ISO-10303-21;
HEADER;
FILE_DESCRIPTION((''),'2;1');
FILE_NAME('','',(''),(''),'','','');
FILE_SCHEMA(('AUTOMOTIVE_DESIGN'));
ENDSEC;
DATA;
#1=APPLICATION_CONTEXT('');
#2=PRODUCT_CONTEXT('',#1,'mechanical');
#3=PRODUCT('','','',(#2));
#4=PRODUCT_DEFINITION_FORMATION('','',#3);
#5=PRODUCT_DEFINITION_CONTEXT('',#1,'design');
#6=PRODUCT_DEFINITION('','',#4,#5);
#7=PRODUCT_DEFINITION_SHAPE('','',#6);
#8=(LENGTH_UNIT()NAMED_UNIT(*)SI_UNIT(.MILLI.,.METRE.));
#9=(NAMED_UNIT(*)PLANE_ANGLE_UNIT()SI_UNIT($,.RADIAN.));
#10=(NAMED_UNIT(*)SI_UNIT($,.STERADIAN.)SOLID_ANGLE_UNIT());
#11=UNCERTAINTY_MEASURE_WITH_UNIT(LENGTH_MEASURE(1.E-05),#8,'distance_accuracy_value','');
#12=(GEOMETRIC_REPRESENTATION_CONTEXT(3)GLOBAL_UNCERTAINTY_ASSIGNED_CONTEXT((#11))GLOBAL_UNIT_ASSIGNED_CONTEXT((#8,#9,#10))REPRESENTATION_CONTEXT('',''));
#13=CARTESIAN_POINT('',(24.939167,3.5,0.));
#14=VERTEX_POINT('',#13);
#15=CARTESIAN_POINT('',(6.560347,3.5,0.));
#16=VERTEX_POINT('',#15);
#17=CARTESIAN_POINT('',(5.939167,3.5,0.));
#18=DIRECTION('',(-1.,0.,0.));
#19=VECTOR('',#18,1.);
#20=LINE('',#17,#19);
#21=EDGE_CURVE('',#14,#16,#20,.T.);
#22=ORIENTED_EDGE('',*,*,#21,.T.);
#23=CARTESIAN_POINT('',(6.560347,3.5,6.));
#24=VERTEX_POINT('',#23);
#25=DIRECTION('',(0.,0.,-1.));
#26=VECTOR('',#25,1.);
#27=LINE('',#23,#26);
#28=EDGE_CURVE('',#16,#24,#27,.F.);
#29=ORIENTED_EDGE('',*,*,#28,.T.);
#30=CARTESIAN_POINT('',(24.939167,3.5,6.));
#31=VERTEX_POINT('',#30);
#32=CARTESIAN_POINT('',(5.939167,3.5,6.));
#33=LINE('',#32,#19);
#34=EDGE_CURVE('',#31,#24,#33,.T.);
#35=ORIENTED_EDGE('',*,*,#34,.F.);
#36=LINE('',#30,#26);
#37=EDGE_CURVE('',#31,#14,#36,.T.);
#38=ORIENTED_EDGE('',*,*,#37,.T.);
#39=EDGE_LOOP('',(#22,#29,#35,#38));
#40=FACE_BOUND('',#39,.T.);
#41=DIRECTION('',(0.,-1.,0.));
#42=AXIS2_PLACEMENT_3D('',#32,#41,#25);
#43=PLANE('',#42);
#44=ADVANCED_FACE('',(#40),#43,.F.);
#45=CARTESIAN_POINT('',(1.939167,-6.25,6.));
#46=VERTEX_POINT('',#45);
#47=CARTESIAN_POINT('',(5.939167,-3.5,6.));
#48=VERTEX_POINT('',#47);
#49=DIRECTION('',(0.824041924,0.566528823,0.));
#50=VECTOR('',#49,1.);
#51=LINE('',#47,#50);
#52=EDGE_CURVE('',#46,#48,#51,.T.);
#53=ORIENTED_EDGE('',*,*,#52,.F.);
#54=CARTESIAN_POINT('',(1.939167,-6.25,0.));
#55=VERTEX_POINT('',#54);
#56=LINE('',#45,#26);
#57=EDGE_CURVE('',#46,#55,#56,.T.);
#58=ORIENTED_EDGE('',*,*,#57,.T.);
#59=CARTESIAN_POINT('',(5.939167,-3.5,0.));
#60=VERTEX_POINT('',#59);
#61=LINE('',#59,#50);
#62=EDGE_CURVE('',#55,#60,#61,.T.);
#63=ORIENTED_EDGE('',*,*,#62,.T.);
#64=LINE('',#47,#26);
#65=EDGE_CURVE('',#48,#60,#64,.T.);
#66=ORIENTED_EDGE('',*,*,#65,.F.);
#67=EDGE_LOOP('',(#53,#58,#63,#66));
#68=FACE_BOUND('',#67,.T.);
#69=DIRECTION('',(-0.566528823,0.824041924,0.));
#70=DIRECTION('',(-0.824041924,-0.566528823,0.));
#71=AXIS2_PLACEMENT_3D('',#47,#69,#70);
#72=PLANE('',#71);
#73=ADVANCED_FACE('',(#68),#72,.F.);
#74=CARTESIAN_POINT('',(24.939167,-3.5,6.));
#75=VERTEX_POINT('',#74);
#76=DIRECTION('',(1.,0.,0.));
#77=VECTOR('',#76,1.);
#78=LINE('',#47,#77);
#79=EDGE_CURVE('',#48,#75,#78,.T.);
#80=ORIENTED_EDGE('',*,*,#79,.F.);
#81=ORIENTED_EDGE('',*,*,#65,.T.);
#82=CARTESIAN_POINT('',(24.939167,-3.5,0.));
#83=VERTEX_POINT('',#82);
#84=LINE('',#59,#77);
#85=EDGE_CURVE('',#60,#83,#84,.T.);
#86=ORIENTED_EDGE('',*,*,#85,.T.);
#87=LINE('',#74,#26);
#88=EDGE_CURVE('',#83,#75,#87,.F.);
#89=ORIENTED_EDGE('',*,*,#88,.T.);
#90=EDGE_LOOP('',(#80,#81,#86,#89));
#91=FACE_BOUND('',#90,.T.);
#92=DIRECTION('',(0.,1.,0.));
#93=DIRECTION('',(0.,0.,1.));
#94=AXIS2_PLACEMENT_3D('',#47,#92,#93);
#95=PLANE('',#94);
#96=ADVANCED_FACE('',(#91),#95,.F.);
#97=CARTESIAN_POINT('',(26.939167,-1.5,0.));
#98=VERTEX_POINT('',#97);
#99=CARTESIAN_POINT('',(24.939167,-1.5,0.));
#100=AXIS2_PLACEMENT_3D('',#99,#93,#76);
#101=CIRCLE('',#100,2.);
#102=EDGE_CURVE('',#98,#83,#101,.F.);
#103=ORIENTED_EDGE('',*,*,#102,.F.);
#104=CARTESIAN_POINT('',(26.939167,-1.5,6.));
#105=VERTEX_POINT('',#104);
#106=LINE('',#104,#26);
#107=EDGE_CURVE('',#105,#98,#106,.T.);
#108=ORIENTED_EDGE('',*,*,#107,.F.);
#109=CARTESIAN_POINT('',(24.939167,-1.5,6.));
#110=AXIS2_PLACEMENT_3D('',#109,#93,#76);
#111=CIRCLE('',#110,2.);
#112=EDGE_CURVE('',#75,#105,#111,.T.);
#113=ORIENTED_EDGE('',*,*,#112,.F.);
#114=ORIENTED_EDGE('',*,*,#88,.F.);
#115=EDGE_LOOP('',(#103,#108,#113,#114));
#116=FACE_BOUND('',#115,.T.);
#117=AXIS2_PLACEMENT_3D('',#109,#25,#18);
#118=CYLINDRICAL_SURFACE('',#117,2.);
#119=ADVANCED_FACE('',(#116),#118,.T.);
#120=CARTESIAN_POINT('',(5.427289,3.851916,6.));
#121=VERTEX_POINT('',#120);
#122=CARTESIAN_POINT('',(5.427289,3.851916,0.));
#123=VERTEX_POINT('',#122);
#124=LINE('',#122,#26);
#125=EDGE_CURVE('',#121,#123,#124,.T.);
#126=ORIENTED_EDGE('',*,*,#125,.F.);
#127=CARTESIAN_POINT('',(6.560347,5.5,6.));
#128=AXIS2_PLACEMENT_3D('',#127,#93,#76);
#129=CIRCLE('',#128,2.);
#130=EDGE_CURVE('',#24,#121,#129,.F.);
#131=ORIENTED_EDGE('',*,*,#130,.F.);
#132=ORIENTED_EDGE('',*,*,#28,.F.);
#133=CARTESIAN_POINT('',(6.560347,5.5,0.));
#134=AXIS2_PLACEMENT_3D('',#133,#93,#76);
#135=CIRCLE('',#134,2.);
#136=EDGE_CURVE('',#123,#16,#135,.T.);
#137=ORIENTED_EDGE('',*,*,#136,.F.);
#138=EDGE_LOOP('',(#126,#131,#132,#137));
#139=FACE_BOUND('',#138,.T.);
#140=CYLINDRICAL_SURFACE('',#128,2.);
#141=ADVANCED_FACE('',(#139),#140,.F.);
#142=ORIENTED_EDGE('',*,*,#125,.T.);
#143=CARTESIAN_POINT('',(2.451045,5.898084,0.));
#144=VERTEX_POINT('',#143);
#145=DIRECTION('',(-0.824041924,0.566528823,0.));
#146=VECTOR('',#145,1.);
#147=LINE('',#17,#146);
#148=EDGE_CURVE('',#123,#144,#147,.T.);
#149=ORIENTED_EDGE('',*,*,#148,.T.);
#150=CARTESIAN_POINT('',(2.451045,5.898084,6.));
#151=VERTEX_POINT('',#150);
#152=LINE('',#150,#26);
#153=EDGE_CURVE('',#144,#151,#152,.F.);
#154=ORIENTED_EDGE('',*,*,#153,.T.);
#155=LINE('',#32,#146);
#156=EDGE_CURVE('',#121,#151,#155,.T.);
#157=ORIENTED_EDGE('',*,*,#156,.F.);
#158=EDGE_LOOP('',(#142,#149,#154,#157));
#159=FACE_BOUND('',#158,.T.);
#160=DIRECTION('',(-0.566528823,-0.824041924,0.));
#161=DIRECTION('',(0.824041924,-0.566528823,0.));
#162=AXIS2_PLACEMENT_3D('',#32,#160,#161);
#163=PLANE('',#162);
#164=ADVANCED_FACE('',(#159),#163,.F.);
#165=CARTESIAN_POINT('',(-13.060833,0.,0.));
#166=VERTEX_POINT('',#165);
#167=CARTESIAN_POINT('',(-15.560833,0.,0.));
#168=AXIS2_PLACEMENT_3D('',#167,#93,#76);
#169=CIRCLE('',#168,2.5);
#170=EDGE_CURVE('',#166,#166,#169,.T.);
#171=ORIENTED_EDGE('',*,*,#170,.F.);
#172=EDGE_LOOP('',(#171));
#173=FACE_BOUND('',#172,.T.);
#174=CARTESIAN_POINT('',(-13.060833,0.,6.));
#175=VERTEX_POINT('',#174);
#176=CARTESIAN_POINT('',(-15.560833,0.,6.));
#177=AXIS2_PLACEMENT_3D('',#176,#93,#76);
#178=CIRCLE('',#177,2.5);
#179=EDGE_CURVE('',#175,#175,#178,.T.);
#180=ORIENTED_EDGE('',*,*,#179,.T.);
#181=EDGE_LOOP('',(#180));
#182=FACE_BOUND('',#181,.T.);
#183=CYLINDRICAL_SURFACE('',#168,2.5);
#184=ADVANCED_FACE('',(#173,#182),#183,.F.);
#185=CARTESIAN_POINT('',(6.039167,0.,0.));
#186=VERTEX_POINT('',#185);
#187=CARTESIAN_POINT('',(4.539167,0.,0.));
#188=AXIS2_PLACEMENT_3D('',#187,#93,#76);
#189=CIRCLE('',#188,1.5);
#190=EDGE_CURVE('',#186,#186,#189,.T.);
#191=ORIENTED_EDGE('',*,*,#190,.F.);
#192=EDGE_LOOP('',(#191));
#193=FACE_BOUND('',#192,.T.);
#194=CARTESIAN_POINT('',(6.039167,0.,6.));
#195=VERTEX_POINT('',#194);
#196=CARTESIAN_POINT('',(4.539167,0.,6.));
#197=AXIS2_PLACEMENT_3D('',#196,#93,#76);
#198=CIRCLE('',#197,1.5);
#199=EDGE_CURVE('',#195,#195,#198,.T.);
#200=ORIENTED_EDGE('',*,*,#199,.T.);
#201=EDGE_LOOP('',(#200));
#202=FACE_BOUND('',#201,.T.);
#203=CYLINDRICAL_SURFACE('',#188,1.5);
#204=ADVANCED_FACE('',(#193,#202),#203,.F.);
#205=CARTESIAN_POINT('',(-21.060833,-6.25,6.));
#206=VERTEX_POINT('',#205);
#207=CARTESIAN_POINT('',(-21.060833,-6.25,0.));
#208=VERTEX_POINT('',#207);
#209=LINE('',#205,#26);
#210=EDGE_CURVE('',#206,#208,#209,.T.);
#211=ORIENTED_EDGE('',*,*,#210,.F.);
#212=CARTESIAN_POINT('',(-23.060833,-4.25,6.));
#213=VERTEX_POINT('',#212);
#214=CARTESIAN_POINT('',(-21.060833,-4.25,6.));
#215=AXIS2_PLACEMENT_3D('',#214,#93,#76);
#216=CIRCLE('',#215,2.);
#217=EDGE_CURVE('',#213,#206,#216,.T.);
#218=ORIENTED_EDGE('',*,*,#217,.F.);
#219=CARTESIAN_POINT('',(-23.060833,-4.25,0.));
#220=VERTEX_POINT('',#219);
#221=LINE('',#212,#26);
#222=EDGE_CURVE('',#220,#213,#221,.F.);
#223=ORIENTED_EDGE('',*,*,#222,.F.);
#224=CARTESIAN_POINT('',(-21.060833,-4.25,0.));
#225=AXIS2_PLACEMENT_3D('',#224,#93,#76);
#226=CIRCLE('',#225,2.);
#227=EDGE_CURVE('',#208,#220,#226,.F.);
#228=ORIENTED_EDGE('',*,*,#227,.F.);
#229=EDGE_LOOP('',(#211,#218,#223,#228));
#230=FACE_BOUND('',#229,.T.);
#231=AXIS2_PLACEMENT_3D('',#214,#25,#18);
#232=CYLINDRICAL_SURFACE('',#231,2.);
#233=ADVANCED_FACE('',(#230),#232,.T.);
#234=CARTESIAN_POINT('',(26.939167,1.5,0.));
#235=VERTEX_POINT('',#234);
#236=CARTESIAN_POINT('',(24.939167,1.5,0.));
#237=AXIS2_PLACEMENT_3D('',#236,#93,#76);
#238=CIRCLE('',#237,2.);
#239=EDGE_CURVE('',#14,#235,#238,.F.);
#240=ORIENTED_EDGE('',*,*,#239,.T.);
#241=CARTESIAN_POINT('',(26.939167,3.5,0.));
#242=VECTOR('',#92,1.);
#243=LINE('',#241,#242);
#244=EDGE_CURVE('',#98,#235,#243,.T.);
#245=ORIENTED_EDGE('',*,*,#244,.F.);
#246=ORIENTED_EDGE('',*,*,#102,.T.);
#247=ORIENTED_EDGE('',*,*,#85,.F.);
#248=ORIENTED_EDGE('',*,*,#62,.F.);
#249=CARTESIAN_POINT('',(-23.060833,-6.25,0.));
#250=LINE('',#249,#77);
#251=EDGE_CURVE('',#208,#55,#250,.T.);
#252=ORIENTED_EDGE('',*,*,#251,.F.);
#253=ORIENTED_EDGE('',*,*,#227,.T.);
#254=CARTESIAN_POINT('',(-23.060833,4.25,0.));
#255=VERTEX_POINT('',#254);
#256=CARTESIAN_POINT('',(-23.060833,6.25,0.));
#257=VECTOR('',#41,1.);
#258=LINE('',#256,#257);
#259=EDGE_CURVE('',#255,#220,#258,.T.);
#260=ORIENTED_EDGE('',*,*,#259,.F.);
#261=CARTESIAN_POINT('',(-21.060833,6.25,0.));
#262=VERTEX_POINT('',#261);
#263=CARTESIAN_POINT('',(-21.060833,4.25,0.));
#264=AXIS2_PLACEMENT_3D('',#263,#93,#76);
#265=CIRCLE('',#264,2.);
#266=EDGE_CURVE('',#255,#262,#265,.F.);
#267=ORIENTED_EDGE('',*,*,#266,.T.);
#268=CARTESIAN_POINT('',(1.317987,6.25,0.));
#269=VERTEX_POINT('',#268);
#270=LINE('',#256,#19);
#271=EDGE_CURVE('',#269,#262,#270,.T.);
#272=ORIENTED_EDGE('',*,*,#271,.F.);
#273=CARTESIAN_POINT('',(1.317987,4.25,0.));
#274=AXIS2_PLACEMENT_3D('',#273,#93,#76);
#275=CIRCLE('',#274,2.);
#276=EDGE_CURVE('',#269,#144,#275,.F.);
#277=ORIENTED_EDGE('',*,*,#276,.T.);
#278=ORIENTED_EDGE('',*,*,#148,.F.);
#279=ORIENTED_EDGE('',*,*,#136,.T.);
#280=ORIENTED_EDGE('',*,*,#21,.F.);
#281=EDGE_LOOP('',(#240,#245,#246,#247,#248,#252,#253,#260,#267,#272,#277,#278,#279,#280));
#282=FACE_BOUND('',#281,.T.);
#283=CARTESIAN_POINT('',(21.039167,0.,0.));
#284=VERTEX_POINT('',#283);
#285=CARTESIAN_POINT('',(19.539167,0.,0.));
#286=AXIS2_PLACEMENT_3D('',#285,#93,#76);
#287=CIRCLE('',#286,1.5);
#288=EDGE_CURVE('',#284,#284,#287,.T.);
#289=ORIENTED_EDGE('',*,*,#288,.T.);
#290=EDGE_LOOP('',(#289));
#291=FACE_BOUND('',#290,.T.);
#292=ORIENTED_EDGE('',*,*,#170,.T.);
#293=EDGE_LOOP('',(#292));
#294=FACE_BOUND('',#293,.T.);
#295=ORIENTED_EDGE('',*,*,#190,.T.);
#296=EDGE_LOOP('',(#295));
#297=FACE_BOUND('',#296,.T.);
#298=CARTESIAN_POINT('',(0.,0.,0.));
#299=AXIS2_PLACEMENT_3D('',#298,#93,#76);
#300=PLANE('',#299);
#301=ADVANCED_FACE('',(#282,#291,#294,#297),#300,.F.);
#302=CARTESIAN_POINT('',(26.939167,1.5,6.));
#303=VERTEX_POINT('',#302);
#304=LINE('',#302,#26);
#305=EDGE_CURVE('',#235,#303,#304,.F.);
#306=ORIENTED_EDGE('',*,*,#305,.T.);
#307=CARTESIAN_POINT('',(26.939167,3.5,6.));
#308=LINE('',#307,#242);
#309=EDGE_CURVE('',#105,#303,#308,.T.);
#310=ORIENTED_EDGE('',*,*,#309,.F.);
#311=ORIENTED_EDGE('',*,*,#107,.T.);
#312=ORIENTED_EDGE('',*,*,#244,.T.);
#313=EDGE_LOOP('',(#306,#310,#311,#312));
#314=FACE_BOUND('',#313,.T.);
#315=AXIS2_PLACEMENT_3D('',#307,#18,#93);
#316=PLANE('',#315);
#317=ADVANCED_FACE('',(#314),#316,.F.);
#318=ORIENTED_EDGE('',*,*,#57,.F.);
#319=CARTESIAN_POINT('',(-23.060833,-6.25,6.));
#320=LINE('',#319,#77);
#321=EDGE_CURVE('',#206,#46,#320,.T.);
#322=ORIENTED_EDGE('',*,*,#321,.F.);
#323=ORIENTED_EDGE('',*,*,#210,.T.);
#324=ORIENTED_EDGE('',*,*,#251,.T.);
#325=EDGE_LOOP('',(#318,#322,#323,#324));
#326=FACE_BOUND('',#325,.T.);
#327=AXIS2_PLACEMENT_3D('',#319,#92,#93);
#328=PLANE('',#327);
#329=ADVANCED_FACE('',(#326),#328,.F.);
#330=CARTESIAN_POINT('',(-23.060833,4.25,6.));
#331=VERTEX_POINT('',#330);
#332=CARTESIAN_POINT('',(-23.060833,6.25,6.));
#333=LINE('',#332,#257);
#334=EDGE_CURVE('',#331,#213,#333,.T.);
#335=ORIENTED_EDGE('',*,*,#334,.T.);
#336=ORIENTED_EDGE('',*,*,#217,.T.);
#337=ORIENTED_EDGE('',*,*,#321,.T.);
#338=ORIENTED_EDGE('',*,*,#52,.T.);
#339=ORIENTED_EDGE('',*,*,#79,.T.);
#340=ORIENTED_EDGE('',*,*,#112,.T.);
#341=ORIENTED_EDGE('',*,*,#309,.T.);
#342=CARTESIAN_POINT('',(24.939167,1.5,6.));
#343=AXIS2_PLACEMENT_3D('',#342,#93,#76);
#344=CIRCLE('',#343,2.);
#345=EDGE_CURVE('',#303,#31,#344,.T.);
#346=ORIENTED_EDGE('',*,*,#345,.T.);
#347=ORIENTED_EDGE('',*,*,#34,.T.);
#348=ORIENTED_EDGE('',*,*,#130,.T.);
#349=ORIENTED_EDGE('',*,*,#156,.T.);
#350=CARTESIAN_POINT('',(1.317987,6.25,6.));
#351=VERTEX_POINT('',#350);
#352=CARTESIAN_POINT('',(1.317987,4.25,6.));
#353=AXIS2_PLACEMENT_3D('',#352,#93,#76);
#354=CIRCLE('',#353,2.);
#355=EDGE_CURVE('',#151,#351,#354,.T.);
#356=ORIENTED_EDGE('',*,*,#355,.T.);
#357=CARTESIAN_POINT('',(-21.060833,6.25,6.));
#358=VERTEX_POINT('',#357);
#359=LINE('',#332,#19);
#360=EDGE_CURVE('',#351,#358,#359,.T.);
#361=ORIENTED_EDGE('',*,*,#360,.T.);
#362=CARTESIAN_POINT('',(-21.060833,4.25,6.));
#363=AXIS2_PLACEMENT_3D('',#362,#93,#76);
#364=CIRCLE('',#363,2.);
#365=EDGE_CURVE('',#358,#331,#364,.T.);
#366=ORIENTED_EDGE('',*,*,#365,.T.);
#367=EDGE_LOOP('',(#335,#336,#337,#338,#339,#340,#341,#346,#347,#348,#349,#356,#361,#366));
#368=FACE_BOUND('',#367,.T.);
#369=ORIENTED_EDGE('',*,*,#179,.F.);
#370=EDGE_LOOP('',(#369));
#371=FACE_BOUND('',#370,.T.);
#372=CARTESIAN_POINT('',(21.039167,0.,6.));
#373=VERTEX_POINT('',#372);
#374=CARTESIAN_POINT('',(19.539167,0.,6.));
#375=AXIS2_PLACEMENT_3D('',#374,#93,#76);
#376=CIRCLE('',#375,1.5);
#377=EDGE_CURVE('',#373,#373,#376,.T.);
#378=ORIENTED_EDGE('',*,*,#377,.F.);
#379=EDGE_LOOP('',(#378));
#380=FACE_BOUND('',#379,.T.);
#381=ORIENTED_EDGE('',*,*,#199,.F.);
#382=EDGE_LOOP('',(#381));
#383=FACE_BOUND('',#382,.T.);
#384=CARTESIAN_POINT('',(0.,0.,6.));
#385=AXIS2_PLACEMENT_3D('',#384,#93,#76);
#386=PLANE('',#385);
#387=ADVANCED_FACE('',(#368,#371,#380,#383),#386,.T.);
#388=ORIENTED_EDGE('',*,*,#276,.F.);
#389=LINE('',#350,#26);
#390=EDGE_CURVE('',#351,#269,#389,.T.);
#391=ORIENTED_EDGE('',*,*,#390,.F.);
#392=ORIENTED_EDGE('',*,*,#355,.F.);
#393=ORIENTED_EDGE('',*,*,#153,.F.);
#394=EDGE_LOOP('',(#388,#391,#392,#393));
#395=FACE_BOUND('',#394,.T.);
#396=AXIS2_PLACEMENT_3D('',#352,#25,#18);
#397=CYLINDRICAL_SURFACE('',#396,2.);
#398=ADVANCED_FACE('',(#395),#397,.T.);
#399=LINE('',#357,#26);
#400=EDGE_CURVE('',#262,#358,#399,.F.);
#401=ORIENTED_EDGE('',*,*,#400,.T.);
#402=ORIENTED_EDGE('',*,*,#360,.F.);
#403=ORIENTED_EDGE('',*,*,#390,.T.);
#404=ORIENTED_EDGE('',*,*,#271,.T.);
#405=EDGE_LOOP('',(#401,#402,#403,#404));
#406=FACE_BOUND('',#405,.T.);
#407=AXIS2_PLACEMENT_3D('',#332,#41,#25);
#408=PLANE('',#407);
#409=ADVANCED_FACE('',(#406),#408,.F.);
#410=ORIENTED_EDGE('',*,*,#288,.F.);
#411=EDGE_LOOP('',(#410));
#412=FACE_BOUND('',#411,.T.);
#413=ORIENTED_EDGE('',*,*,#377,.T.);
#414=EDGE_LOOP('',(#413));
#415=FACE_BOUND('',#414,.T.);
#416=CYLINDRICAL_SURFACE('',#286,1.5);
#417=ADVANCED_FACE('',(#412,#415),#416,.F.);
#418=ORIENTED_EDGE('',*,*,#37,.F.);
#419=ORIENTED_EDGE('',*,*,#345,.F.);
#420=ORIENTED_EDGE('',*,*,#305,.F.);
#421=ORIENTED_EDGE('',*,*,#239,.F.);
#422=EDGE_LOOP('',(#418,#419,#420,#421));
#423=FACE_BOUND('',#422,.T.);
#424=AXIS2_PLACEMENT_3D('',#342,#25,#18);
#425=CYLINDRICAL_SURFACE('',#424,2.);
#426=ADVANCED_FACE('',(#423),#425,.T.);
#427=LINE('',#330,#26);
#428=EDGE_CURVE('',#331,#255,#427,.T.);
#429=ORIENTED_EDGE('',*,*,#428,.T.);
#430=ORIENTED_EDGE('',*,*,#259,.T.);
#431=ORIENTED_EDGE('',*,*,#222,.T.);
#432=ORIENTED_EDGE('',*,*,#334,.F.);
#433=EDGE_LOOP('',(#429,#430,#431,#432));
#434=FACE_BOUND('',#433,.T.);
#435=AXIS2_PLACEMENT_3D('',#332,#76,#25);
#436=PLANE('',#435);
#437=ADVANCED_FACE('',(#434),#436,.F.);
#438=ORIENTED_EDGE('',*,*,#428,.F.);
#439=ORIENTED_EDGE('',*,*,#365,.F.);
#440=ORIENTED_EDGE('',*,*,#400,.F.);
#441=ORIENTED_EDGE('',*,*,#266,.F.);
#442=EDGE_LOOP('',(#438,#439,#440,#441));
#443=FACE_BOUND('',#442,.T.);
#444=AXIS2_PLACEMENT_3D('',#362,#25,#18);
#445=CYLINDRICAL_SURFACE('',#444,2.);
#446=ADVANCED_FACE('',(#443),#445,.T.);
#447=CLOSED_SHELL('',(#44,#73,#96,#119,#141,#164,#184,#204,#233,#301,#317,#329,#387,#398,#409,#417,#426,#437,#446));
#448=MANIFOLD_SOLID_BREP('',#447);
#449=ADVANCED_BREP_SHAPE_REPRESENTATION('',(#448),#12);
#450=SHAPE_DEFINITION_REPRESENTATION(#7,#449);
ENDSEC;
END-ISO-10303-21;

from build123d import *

# Parameters (mm, degrees)
BOSS_EXTRU_1_DEPTH      = 6
ESQUISSE2_R             = 2.5
ESQUISSE2_R_2           = 1.5
ENL_V_MAT_EXTRU_1_DEPTH = 29.298078094
CONG_2_R                = 2


with BuildPart() as part:
    # Esquisse1 → Boss.-Extru.1 (new body)
    with BuildSketch(Plane.XY):
        Polygon((5.939167095, 3.5), (26.939167095, 3.5), (26.939167095, -3.5), (5.939167095, -3.5), (1.939167095, -6.25), (-23.060832905, -6.25), (-23.060832905, 6.25), (1.939167095, 6.25), align=None)
    extrude(amount=BOSS_EXTRU_1_DEPTH)

    # Esquisse2 → Enlèv. mat.-Extru.1 (cut, through all)
    with BuildSketch(Plane.XY.offset(6)):
        with Locations((-15.560832905, 0)):
            Circle(ESQUISSE2_R)
        with Locations((4.539167095, 0)):
            Circle(ESQUISSE2_R_2)
        with Locations((19.539167095, 0)):
            Circle(ESQUISSE2_R_2)
    extrude(amount=-ENL_V_MAT_EXTRU_1_DEPTH, mode=Mode.SUBTRACT)

    # Congé2
    cong_2_edges = [part.edges().sort_by_distance(p)[0] for p in [
        (-23.060832905, 6.25, 3),
        (1.939167095, 6.25, 3),
        (5.939167095, 3.5, 3),
        (26.939167095, 3.5, 3),
        (26.939167095, -3.5, 3),
        (-23.060832905, -6.25, 3),
    ]]
    fillet(cong_2_edges, radius=CONG_2_R)


solid = part.part
